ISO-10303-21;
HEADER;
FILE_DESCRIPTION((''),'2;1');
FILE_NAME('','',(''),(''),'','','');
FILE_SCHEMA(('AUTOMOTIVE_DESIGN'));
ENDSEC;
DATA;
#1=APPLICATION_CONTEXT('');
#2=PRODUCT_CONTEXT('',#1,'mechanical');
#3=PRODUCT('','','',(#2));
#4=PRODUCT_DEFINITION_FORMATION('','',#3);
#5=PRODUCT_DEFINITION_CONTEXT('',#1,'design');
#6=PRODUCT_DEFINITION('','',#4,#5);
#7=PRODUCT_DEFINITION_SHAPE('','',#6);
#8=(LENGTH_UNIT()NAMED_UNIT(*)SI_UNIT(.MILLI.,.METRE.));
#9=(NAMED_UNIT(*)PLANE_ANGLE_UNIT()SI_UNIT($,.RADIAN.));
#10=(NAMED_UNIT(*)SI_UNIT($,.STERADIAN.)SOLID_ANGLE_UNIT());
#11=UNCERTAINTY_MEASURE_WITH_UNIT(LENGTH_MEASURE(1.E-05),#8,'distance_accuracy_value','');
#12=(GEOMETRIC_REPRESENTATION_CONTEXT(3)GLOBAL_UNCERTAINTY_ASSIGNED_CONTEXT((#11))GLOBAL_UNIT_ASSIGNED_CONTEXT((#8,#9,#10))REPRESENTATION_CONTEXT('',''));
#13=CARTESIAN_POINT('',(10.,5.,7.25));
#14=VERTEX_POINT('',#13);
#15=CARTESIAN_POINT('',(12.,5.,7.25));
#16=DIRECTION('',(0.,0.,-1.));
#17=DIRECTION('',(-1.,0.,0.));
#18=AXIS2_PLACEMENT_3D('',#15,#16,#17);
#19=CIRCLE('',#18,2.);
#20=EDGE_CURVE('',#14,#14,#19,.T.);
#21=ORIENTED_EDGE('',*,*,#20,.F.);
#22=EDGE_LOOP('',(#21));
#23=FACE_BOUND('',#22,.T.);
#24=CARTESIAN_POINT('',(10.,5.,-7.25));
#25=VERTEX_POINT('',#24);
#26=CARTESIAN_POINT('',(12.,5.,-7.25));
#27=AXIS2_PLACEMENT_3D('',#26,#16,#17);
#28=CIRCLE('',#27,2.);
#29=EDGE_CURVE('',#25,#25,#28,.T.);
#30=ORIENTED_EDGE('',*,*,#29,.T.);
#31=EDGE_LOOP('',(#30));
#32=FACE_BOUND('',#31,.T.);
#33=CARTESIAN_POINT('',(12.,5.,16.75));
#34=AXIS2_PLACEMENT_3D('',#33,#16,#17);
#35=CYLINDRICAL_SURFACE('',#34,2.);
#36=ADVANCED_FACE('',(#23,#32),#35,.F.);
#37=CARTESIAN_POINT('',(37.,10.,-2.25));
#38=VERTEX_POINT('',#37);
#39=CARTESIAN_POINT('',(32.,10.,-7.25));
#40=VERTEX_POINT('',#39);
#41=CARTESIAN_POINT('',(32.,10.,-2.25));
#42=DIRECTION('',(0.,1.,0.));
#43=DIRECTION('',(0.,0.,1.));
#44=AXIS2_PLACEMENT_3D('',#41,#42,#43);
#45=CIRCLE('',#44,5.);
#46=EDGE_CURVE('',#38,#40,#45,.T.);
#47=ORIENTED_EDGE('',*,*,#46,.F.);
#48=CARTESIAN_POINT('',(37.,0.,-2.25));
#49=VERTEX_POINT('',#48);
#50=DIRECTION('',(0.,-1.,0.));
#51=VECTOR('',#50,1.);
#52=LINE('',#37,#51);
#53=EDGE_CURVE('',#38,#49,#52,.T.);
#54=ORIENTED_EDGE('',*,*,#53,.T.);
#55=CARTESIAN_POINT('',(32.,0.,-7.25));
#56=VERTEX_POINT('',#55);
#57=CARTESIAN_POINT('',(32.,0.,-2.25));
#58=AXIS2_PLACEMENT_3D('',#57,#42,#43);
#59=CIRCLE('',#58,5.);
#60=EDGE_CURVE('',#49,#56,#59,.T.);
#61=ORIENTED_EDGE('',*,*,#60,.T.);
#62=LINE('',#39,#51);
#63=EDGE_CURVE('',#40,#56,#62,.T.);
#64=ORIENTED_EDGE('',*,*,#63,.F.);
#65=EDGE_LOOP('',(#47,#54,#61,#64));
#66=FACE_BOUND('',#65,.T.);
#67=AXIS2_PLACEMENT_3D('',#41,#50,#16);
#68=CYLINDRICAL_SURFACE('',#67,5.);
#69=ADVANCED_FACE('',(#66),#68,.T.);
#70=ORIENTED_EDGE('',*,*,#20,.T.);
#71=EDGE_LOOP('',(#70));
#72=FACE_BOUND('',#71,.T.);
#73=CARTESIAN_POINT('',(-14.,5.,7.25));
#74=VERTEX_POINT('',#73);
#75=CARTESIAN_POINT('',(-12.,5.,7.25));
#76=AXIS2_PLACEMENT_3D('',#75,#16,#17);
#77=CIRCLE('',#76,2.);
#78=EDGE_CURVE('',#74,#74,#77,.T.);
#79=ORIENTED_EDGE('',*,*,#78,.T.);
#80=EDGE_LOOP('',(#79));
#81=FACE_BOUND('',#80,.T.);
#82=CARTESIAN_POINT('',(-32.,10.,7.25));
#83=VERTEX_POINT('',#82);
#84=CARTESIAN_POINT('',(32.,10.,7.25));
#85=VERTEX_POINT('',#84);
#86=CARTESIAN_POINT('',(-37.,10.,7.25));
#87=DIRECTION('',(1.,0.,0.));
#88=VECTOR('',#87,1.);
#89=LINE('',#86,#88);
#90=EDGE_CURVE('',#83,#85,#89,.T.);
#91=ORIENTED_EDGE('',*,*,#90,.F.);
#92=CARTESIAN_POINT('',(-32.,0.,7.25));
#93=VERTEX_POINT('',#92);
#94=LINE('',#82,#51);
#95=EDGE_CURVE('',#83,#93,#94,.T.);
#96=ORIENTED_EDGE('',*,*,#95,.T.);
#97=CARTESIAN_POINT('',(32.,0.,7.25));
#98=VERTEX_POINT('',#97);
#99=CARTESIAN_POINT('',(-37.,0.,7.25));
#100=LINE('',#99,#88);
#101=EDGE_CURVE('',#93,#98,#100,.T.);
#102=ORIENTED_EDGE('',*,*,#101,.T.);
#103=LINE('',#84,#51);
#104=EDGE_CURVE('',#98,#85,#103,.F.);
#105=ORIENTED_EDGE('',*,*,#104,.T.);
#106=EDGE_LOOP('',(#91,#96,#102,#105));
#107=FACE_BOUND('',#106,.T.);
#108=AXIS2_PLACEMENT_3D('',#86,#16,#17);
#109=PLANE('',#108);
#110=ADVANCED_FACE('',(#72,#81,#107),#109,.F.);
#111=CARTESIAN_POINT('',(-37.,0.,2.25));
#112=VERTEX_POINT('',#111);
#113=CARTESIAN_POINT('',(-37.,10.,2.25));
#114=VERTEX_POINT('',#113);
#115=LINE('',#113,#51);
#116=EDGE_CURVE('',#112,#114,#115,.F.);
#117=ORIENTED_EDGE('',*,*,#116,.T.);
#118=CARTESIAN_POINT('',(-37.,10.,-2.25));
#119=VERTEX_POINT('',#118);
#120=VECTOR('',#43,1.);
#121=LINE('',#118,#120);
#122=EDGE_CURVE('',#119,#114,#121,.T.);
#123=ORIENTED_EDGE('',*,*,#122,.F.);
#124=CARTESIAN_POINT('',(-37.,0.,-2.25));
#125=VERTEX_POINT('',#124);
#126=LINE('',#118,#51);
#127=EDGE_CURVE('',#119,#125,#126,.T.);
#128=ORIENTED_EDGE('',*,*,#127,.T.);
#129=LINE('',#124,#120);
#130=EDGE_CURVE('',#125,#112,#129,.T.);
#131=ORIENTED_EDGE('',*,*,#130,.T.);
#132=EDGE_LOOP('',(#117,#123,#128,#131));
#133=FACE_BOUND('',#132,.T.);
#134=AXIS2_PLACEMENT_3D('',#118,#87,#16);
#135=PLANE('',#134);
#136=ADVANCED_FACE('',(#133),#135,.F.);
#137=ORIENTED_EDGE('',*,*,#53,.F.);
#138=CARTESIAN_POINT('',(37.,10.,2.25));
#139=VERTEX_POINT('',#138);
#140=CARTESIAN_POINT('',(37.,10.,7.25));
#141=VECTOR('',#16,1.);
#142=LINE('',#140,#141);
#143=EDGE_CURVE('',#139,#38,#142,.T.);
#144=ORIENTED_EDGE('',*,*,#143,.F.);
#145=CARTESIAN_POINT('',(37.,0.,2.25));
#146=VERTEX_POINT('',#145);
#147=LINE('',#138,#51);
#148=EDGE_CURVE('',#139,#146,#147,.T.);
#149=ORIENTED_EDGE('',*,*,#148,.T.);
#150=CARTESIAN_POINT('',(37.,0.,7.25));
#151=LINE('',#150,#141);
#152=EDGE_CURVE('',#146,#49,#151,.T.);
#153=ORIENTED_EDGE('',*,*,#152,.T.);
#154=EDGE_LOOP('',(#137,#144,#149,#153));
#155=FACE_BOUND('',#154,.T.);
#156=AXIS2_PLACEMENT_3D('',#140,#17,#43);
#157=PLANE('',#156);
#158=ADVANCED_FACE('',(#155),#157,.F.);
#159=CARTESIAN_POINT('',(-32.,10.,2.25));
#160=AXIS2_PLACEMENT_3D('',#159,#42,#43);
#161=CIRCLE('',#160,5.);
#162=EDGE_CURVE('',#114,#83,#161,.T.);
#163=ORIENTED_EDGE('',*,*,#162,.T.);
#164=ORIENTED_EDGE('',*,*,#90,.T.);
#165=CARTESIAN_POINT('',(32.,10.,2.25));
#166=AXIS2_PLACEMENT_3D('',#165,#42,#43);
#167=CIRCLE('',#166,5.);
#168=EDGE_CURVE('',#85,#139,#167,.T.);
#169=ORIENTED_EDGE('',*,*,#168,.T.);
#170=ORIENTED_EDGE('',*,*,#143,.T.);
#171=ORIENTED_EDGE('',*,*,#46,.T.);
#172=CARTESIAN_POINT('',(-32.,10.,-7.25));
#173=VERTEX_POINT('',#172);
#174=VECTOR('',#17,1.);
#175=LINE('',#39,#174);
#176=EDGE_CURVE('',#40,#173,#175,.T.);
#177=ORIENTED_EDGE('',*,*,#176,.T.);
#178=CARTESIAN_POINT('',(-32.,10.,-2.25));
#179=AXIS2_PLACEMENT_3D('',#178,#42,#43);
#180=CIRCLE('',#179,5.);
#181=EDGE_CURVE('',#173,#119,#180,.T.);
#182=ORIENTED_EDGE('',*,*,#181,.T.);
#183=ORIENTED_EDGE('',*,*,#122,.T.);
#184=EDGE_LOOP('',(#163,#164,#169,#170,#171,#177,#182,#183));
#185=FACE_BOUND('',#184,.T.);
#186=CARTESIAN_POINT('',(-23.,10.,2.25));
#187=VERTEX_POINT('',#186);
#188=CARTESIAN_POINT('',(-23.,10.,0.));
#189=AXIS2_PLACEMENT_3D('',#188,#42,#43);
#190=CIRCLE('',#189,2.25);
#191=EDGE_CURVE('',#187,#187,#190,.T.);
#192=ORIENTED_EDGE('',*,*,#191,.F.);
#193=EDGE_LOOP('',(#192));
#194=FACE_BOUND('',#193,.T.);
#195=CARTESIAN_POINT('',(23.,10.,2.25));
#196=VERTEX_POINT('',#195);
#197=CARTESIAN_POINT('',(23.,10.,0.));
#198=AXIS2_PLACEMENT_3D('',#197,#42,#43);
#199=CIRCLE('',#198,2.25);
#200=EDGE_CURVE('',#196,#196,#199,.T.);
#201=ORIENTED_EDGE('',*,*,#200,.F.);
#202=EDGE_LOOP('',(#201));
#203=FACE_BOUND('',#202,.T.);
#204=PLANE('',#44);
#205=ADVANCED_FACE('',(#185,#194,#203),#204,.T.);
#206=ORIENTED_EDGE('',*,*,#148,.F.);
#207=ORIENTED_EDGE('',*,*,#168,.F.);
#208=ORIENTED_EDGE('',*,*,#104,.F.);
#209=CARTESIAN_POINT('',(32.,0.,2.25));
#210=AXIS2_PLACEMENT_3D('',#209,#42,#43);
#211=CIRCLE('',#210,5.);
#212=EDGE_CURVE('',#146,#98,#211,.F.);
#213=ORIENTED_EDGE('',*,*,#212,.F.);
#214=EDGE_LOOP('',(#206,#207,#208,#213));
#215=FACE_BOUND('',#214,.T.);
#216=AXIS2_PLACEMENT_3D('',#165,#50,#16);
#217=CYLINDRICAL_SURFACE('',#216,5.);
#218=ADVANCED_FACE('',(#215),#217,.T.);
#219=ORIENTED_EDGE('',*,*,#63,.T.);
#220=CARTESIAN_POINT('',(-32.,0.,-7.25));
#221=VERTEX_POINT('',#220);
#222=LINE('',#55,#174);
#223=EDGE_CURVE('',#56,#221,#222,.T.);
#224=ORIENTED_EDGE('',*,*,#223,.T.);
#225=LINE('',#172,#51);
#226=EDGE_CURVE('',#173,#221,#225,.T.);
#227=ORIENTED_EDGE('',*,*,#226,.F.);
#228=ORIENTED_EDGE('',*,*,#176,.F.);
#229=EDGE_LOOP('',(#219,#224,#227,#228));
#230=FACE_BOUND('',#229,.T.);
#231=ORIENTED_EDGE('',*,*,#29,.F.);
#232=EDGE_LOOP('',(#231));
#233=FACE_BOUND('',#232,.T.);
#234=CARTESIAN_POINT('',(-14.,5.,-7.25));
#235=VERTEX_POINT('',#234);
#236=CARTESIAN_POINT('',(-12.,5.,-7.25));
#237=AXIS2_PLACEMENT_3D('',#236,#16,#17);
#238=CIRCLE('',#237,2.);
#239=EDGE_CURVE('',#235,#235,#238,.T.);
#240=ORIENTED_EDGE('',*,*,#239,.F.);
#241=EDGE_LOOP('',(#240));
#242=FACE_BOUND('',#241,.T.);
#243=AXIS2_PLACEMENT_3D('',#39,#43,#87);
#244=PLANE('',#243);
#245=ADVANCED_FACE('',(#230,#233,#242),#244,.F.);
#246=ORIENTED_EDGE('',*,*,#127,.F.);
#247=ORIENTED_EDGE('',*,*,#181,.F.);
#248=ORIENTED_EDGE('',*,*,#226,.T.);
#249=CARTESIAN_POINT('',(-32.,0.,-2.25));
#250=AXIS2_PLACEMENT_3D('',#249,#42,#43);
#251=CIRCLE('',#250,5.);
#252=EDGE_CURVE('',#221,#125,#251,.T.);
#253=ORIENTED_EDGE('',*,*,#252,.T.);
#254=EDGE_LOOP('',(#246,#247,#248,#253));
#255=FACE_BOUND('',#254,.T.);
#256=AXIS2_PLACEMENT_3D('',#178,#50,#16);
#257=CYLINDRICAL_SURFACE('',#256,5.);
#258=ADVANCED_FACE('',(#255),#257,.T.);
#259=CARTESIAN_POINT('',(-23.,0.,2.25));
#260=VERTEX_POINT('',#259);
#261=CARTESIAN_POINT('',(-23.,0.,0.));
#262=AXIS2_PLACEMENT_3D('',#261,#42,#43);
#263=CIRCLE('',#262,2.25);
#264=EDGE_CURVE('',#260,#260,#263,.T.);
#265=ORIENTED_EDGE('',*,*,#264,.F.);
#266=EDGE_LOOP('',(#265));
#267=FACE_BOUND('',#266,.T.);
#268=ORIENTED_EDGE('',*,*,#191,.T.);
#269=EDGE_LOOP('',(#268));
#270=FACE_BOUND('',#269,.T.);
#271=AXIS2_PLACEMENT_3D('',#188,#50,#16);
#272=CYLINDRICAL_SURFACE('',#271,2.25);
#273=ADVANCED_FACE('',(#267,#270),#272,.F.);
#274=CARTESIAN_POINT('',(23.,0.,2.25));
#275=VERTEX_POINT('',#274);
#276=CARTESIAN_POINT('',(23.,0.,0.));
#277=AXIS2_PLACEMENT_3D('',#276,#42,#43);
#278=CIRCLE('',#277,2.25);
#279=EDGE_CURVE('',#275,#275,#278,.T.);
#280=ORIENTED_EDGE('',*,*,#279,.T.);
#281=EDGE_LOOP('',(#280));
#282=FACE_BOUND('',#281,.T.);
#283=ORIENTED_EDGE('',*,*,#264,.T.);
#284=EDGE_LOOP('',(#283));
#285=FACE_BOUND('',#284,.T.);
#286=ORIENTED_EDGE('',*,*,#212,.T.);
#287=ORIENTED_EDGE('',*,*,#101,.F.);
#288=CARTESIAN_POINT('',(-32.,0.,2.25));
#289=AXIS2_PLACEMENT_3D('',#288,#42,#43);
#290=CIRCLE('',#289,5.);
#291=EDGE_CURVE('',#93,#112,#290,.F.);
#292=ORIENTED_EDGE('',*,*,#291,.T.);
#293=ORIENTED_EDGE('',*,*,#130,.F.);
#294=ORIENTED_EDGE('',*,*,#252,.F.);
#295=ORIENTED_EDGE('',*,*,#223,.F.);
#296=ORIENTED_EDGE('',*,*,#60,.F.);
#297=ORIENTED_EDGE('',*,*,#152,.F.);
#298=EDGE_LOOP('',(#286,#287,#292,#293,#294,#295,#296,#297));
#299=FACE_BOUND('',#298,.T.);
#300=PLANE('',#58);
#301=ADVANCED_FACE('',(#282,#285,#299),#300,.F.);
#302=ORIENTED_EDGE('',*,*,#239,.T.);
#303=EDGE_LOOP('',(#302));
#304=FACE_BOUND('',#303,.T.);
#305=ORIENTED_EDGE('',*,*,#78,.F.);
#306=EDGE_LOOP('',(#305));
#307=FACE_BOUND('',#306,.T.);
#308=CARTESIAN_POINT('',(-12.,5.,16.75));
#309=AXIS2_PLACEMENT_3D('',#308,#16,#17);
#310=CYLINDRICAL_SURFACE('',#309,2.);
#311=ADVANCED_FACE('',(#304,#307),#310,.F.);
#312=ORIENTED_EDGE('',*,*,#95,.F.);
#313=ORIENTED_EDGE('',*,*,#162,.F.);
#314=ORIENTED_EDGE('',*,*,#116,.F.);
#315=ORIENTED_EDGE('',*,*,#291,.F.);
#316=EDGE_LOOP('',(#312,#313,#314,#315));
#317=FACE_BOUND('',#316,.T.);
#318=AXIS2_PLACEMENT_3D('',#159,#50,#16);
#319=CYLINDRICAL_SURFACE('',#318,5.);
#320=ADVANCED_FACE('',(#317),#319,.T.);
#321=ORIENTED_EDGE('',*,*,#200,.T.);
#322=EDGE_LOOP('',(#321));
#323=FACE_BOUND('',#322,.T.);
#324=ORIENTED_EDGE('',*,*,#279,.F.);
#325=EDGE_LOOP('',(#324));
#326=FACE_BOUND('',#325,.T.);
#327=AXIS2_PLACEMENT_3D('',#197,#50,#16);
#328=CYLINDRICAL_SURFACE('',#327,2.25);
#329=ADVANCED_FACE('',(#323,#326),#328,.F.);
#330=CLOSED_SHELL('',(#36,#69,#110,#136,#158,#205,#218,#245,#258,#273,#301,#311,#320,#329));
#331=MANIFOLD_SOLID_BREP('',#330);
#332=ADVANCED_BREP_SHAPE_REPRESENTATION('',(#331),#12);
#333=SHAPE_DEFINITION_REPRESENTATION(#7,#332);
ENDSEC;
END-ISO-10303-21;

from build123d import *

# Parameters (mm, degrees)
SKETCH1_R           = 2.25
BOSS_EXTRUDE1_DEPTH = 10
FILLET1_R           = 5
SKETCH2_R           = 2
CUT_EXTRUDE1_DEPTH  = 24


with BuildPart() as part:
    # Sketch1 → Boss-Extrude1 (new body)
    with BuildSketch(Plane(origin=(0, 0, 0), x_dir=(1, 0, 0), z_dir=(0, 1, 0))):
        with BuildLine():
            Line((32, 7.25), (-32, 7.25))
            ThreePointArc((-32, 7.25), (-35.535533906, 5.785533906), (-37, 2.25))
            Line((-37, 2.25), (-37, -7.25))
            Line((-37, -7.25), (37, -7.25))
            Line((37, -7.25), (37, 2.25))
            ThreePointArc((37, 2.25), (35.535533906, 5.785533906), (32, 7.25))
        make_face()
        with Locations(Location((23, 0, 0), (0, 0, 270))):
            Circle(SKETCH1_R, mode=Mode.SUBTRACT)
        with Locations(Location((-23, 0, 0), (0, 0, 270))):
            Circle(SKETCH1_R, mode=Mode.SUBTRACT)
    extrude(amount=BOSS_EXTRUDE1_DEPTH)

    # Fillet1
    fillet1_edges = [part.edges().sort_by_distance(p)[0] for p in [
        (37, 5, 7.25),
        (-37, 5, 7.25),
    ]]
    fillet(fillet1_edges, radius=FILLET1_R)

    # Sketch2 → Cut-Extrude1 (cut)
    with BuildSketch(Plane(origin=(0, 0, -7.25), x_dir=(-1, 0, 0), z_dir=(0, 0, -1))):
        with Locations((-12, 5)):
            Circle(SKETCH2_R)
        with Locations((12, 5)):
            Circle(SKETCH2_R)
    extrude(amount=-CUT_EXTRUDE1_DEPTH, mode=Mode.SUBTRACT)


solid = part.part
